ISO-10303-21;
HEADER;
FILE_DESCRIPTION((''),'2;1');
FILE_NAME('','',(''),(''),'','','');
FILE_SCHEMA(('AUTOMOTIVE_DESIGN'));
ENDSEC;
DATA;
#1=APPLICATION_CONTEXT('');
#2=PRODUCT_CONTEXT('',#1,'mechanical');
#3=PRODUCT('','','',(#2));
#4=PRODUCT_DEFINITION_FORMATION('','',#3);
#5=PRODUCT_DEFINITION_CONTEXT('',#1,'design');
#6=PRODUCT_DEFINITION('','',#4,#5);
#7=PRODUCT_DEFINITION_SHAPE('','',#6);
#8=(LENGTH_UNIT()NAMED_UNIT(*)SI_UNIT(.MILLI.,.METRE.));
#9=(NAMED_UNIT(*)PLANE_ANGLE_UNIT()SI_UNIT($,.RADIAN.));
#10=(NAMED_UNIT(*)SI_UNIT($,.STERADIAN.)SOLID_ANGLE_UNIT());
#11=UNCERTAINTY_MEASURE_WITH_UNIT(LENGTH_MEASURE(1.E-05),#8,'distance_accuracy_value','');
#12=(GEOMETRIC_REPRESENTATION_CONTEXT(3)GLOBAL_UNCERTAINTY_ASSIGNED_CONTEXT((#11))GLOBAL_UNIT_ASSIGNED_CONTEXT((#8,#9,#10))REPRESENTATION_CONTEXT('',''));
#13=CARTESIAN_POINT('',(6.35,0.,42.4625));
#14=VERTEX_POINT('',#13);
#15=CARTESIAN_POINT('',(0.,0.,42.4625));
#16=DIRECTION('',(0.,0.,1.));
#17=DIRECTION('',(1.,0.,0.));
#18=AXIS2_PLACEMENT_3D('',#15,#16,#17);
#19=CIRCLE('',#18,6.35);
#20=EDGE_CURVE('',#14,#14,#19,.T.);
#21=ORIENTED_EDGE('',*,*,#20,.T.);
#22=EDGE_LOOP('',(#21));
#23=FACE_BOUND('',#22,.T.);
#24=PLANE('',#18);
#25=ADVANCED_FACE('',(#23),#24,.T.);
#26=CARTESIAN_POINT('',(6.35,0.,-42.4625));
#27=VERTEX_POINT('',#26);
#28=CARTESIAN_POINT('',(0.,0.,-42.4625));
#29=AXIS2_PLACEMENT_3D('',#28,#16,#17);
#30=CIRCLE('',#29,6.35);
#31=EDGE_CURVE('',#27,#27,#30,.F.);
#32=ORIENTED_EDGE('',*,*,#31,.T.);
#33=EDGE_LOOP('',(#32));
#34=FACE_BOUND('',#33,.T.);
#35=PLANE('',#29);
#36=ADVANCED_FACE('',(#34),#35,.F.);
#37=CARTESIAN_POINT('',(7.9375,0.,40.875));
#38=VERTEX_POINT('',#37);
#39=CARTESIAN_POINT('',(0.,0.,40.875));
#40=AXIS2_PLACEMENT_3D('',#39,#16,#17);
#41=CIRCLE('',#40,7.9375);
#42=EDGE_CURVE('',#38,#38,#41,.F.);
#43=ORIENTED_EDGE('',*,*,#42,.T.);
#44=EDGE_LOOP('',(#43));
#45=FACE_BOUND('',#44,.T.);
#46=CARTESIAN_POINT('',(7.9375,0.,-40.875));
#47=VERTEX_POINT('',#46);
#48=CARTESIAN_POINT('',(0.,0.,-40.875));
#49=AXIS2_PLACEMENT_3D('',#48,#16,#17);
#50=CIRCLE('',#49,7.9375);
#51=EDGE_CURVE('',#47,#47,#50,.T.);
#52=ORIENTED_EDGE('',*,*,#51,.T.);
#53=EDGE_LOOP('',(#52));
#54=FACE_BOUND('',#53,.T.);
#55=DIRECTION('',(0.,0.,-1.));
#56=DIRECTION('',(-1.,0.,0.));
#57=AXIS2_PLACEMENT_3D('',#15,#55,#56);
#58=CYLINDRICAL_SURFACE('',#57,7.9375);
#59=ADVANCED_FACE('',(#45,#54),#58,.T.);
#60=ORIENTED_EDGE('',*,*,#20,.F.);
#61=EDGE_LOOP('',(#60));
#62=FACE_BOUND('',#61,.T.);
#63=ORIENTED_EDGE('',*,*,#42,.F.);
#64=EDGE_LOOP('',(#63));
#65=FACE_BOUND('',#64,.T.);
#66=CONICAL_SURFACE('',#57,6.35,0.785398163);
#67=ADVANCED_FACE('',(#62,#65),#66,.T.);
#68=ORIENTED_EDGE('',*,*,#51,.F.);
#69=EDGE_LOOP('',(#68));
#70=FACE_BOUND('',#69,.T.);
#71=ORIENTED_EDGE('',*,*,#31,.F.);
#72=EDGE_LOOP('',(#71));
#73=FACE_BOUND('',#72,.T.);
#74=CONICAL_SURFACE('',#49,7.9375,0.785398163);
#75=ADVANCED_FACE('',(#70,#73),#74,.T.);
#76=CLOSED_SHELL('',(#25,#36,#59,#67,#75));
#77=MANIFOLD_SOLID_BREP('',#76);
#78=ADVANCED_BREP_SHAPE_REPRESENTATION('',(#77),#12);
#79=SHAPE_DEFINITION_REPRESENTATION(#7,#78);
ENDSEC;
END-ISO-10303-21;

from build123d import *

# Parameters (mm, degrees)
SKETCH3_R           = 7.9375
BOSS_EXTRUDE1_DEPTH = 42.4625
CHAMFER1_SIZE       = 1.5875


with BuildPart() as part:
    # Sketch3 → Boss-Extrude1 (new body, symmetric)
    with BuildSketch(Plane.XY):
        Circle(SKETCH3_R)
    extrude(amount=BOSS_EXTRUDE1_DEPTH, both=True)

    # Chamfer1
    chamfer1_edges = [part.edges().sort_by_distance(p)[0] for p in [
        (-7.9375, 0, -42.4625),
        (-7.9375, 0, 42.4625),
    ]]
    chamfer(chamfer1_edges, length=CHAMFER1_SIZE)


solid = part.part
